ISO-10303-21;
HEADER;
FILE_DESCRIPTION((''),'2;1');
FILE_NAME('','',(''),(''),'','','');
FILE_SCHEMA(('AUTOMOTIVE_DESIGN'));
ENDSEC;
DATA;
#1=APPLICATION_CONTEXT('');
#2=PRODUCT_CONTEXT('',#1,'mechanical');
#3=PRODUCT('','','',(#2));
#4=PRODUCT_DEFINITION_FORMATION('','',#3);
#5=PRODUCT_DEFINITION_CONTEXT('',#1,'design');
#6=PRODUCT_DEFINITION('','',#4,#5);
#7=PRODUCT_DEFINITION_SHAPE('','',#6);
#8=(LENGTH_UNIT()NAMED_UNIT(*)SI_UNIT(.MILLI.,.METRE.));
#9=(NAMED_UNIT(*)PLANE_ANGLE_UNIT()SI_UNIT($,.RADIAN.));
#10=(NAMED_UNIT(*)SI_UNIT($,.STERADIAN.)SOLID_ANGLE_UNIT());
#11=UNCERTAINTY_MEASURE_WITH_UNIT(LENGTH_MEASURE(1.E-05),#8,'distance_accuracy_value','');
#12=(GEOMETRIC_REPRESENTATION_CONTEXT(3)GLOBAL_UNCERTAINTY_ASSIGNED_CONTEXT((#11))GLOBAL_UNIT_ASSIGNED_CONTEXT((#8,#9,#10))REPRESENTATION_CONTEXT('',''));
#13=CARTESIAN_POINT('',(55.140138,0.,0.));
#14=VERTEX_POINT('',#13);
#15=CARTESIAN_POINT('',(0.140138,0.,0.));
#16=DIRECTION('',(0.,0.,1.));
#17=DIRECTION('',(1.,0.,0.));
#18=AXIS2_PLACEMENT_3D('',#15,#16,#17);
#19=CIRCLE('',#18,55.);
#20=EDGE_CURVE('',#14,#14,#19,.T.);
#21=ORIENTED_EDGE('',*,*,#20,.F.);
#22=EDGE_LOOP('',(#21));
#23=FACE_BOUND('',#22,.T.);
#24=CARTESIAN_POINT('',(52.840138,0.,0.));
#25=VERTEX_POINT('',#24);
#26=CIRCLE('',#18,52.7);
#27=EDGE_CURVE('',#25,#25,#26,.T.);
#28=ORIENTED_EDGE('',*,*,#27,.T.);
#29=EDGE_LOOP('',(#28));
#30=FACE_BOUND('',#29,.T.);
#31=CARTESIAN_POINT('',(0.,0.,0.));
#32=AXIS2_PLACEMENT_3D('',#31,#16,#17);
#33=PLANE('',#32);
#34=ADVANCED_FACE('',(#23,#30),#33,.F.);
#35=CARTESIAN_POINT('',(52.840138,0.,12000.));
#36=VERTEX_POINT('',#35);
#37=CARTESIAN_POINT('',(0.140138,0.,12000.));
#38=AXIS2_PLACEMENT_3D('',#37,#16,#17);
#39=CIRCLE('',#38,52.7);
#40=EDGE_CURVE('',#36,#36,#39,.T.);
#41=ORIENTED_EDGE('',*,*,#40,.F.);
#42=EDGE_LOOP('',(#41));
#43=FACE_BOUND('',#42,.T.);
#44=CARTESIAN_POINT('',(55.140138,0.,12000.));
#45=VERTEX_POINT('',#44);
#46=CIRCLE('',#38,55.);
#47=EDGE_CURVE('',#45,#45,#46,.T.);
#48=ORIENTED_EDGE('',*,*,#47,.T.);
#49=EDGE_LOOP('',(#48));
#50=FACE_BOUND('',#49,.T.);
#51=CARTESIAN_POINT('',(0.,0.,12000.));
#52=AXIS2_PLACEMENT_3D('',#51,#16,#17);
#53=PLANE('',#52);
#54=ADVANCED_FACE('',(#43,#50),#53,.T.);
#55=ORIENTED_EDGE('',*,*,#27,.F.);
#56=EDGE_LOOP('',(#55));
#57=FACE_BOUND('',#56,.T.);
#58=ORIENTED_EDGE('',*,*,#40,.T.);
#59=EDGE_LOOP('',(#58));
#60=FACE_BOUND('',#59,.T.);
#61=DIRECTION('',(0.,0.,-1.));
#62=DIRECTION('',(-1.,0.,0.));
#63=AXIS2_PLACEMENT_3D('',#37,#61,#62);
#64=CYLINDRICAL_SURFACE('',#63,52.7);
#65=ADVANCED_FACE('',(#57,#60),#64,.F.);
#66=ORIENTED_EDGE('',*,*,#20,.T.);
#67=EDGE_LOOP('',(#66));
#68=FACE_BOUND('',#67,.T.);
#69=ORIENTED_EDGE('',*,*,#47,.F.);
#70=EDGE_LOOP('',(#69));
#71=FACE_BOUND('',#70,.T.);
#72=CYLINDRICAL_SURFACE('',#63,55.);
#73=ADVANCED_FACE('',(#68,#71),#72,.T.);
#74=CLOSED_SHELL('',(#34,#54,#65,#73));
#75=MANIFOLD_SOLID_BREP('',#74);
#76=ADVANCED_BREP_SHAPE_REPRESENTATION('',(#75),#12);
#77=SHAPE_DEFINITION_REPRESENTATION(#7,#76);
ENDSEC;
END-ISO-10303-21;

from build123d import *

# Parameters (mm, degrees)
SKETCH1_R        = 55
SKETCH1_R_2      = 52.7
EXTRUSION1_DEPTH = 12000


with BuildPart() as part:
    # Sketch1 → Extrusion1 (new body)
    with BuildSketch(Plane.XY):
        with Locations((0.140137906, 0)):
            Circle(SKETCH1_R)
        with Locations((0.140137906, 0)):
            Circle(SKETCH1_R_2, mode=Mode.SUBTRACT)
    extrude(amount=EXTRUSION1_DEPTH)


solid = part.part
